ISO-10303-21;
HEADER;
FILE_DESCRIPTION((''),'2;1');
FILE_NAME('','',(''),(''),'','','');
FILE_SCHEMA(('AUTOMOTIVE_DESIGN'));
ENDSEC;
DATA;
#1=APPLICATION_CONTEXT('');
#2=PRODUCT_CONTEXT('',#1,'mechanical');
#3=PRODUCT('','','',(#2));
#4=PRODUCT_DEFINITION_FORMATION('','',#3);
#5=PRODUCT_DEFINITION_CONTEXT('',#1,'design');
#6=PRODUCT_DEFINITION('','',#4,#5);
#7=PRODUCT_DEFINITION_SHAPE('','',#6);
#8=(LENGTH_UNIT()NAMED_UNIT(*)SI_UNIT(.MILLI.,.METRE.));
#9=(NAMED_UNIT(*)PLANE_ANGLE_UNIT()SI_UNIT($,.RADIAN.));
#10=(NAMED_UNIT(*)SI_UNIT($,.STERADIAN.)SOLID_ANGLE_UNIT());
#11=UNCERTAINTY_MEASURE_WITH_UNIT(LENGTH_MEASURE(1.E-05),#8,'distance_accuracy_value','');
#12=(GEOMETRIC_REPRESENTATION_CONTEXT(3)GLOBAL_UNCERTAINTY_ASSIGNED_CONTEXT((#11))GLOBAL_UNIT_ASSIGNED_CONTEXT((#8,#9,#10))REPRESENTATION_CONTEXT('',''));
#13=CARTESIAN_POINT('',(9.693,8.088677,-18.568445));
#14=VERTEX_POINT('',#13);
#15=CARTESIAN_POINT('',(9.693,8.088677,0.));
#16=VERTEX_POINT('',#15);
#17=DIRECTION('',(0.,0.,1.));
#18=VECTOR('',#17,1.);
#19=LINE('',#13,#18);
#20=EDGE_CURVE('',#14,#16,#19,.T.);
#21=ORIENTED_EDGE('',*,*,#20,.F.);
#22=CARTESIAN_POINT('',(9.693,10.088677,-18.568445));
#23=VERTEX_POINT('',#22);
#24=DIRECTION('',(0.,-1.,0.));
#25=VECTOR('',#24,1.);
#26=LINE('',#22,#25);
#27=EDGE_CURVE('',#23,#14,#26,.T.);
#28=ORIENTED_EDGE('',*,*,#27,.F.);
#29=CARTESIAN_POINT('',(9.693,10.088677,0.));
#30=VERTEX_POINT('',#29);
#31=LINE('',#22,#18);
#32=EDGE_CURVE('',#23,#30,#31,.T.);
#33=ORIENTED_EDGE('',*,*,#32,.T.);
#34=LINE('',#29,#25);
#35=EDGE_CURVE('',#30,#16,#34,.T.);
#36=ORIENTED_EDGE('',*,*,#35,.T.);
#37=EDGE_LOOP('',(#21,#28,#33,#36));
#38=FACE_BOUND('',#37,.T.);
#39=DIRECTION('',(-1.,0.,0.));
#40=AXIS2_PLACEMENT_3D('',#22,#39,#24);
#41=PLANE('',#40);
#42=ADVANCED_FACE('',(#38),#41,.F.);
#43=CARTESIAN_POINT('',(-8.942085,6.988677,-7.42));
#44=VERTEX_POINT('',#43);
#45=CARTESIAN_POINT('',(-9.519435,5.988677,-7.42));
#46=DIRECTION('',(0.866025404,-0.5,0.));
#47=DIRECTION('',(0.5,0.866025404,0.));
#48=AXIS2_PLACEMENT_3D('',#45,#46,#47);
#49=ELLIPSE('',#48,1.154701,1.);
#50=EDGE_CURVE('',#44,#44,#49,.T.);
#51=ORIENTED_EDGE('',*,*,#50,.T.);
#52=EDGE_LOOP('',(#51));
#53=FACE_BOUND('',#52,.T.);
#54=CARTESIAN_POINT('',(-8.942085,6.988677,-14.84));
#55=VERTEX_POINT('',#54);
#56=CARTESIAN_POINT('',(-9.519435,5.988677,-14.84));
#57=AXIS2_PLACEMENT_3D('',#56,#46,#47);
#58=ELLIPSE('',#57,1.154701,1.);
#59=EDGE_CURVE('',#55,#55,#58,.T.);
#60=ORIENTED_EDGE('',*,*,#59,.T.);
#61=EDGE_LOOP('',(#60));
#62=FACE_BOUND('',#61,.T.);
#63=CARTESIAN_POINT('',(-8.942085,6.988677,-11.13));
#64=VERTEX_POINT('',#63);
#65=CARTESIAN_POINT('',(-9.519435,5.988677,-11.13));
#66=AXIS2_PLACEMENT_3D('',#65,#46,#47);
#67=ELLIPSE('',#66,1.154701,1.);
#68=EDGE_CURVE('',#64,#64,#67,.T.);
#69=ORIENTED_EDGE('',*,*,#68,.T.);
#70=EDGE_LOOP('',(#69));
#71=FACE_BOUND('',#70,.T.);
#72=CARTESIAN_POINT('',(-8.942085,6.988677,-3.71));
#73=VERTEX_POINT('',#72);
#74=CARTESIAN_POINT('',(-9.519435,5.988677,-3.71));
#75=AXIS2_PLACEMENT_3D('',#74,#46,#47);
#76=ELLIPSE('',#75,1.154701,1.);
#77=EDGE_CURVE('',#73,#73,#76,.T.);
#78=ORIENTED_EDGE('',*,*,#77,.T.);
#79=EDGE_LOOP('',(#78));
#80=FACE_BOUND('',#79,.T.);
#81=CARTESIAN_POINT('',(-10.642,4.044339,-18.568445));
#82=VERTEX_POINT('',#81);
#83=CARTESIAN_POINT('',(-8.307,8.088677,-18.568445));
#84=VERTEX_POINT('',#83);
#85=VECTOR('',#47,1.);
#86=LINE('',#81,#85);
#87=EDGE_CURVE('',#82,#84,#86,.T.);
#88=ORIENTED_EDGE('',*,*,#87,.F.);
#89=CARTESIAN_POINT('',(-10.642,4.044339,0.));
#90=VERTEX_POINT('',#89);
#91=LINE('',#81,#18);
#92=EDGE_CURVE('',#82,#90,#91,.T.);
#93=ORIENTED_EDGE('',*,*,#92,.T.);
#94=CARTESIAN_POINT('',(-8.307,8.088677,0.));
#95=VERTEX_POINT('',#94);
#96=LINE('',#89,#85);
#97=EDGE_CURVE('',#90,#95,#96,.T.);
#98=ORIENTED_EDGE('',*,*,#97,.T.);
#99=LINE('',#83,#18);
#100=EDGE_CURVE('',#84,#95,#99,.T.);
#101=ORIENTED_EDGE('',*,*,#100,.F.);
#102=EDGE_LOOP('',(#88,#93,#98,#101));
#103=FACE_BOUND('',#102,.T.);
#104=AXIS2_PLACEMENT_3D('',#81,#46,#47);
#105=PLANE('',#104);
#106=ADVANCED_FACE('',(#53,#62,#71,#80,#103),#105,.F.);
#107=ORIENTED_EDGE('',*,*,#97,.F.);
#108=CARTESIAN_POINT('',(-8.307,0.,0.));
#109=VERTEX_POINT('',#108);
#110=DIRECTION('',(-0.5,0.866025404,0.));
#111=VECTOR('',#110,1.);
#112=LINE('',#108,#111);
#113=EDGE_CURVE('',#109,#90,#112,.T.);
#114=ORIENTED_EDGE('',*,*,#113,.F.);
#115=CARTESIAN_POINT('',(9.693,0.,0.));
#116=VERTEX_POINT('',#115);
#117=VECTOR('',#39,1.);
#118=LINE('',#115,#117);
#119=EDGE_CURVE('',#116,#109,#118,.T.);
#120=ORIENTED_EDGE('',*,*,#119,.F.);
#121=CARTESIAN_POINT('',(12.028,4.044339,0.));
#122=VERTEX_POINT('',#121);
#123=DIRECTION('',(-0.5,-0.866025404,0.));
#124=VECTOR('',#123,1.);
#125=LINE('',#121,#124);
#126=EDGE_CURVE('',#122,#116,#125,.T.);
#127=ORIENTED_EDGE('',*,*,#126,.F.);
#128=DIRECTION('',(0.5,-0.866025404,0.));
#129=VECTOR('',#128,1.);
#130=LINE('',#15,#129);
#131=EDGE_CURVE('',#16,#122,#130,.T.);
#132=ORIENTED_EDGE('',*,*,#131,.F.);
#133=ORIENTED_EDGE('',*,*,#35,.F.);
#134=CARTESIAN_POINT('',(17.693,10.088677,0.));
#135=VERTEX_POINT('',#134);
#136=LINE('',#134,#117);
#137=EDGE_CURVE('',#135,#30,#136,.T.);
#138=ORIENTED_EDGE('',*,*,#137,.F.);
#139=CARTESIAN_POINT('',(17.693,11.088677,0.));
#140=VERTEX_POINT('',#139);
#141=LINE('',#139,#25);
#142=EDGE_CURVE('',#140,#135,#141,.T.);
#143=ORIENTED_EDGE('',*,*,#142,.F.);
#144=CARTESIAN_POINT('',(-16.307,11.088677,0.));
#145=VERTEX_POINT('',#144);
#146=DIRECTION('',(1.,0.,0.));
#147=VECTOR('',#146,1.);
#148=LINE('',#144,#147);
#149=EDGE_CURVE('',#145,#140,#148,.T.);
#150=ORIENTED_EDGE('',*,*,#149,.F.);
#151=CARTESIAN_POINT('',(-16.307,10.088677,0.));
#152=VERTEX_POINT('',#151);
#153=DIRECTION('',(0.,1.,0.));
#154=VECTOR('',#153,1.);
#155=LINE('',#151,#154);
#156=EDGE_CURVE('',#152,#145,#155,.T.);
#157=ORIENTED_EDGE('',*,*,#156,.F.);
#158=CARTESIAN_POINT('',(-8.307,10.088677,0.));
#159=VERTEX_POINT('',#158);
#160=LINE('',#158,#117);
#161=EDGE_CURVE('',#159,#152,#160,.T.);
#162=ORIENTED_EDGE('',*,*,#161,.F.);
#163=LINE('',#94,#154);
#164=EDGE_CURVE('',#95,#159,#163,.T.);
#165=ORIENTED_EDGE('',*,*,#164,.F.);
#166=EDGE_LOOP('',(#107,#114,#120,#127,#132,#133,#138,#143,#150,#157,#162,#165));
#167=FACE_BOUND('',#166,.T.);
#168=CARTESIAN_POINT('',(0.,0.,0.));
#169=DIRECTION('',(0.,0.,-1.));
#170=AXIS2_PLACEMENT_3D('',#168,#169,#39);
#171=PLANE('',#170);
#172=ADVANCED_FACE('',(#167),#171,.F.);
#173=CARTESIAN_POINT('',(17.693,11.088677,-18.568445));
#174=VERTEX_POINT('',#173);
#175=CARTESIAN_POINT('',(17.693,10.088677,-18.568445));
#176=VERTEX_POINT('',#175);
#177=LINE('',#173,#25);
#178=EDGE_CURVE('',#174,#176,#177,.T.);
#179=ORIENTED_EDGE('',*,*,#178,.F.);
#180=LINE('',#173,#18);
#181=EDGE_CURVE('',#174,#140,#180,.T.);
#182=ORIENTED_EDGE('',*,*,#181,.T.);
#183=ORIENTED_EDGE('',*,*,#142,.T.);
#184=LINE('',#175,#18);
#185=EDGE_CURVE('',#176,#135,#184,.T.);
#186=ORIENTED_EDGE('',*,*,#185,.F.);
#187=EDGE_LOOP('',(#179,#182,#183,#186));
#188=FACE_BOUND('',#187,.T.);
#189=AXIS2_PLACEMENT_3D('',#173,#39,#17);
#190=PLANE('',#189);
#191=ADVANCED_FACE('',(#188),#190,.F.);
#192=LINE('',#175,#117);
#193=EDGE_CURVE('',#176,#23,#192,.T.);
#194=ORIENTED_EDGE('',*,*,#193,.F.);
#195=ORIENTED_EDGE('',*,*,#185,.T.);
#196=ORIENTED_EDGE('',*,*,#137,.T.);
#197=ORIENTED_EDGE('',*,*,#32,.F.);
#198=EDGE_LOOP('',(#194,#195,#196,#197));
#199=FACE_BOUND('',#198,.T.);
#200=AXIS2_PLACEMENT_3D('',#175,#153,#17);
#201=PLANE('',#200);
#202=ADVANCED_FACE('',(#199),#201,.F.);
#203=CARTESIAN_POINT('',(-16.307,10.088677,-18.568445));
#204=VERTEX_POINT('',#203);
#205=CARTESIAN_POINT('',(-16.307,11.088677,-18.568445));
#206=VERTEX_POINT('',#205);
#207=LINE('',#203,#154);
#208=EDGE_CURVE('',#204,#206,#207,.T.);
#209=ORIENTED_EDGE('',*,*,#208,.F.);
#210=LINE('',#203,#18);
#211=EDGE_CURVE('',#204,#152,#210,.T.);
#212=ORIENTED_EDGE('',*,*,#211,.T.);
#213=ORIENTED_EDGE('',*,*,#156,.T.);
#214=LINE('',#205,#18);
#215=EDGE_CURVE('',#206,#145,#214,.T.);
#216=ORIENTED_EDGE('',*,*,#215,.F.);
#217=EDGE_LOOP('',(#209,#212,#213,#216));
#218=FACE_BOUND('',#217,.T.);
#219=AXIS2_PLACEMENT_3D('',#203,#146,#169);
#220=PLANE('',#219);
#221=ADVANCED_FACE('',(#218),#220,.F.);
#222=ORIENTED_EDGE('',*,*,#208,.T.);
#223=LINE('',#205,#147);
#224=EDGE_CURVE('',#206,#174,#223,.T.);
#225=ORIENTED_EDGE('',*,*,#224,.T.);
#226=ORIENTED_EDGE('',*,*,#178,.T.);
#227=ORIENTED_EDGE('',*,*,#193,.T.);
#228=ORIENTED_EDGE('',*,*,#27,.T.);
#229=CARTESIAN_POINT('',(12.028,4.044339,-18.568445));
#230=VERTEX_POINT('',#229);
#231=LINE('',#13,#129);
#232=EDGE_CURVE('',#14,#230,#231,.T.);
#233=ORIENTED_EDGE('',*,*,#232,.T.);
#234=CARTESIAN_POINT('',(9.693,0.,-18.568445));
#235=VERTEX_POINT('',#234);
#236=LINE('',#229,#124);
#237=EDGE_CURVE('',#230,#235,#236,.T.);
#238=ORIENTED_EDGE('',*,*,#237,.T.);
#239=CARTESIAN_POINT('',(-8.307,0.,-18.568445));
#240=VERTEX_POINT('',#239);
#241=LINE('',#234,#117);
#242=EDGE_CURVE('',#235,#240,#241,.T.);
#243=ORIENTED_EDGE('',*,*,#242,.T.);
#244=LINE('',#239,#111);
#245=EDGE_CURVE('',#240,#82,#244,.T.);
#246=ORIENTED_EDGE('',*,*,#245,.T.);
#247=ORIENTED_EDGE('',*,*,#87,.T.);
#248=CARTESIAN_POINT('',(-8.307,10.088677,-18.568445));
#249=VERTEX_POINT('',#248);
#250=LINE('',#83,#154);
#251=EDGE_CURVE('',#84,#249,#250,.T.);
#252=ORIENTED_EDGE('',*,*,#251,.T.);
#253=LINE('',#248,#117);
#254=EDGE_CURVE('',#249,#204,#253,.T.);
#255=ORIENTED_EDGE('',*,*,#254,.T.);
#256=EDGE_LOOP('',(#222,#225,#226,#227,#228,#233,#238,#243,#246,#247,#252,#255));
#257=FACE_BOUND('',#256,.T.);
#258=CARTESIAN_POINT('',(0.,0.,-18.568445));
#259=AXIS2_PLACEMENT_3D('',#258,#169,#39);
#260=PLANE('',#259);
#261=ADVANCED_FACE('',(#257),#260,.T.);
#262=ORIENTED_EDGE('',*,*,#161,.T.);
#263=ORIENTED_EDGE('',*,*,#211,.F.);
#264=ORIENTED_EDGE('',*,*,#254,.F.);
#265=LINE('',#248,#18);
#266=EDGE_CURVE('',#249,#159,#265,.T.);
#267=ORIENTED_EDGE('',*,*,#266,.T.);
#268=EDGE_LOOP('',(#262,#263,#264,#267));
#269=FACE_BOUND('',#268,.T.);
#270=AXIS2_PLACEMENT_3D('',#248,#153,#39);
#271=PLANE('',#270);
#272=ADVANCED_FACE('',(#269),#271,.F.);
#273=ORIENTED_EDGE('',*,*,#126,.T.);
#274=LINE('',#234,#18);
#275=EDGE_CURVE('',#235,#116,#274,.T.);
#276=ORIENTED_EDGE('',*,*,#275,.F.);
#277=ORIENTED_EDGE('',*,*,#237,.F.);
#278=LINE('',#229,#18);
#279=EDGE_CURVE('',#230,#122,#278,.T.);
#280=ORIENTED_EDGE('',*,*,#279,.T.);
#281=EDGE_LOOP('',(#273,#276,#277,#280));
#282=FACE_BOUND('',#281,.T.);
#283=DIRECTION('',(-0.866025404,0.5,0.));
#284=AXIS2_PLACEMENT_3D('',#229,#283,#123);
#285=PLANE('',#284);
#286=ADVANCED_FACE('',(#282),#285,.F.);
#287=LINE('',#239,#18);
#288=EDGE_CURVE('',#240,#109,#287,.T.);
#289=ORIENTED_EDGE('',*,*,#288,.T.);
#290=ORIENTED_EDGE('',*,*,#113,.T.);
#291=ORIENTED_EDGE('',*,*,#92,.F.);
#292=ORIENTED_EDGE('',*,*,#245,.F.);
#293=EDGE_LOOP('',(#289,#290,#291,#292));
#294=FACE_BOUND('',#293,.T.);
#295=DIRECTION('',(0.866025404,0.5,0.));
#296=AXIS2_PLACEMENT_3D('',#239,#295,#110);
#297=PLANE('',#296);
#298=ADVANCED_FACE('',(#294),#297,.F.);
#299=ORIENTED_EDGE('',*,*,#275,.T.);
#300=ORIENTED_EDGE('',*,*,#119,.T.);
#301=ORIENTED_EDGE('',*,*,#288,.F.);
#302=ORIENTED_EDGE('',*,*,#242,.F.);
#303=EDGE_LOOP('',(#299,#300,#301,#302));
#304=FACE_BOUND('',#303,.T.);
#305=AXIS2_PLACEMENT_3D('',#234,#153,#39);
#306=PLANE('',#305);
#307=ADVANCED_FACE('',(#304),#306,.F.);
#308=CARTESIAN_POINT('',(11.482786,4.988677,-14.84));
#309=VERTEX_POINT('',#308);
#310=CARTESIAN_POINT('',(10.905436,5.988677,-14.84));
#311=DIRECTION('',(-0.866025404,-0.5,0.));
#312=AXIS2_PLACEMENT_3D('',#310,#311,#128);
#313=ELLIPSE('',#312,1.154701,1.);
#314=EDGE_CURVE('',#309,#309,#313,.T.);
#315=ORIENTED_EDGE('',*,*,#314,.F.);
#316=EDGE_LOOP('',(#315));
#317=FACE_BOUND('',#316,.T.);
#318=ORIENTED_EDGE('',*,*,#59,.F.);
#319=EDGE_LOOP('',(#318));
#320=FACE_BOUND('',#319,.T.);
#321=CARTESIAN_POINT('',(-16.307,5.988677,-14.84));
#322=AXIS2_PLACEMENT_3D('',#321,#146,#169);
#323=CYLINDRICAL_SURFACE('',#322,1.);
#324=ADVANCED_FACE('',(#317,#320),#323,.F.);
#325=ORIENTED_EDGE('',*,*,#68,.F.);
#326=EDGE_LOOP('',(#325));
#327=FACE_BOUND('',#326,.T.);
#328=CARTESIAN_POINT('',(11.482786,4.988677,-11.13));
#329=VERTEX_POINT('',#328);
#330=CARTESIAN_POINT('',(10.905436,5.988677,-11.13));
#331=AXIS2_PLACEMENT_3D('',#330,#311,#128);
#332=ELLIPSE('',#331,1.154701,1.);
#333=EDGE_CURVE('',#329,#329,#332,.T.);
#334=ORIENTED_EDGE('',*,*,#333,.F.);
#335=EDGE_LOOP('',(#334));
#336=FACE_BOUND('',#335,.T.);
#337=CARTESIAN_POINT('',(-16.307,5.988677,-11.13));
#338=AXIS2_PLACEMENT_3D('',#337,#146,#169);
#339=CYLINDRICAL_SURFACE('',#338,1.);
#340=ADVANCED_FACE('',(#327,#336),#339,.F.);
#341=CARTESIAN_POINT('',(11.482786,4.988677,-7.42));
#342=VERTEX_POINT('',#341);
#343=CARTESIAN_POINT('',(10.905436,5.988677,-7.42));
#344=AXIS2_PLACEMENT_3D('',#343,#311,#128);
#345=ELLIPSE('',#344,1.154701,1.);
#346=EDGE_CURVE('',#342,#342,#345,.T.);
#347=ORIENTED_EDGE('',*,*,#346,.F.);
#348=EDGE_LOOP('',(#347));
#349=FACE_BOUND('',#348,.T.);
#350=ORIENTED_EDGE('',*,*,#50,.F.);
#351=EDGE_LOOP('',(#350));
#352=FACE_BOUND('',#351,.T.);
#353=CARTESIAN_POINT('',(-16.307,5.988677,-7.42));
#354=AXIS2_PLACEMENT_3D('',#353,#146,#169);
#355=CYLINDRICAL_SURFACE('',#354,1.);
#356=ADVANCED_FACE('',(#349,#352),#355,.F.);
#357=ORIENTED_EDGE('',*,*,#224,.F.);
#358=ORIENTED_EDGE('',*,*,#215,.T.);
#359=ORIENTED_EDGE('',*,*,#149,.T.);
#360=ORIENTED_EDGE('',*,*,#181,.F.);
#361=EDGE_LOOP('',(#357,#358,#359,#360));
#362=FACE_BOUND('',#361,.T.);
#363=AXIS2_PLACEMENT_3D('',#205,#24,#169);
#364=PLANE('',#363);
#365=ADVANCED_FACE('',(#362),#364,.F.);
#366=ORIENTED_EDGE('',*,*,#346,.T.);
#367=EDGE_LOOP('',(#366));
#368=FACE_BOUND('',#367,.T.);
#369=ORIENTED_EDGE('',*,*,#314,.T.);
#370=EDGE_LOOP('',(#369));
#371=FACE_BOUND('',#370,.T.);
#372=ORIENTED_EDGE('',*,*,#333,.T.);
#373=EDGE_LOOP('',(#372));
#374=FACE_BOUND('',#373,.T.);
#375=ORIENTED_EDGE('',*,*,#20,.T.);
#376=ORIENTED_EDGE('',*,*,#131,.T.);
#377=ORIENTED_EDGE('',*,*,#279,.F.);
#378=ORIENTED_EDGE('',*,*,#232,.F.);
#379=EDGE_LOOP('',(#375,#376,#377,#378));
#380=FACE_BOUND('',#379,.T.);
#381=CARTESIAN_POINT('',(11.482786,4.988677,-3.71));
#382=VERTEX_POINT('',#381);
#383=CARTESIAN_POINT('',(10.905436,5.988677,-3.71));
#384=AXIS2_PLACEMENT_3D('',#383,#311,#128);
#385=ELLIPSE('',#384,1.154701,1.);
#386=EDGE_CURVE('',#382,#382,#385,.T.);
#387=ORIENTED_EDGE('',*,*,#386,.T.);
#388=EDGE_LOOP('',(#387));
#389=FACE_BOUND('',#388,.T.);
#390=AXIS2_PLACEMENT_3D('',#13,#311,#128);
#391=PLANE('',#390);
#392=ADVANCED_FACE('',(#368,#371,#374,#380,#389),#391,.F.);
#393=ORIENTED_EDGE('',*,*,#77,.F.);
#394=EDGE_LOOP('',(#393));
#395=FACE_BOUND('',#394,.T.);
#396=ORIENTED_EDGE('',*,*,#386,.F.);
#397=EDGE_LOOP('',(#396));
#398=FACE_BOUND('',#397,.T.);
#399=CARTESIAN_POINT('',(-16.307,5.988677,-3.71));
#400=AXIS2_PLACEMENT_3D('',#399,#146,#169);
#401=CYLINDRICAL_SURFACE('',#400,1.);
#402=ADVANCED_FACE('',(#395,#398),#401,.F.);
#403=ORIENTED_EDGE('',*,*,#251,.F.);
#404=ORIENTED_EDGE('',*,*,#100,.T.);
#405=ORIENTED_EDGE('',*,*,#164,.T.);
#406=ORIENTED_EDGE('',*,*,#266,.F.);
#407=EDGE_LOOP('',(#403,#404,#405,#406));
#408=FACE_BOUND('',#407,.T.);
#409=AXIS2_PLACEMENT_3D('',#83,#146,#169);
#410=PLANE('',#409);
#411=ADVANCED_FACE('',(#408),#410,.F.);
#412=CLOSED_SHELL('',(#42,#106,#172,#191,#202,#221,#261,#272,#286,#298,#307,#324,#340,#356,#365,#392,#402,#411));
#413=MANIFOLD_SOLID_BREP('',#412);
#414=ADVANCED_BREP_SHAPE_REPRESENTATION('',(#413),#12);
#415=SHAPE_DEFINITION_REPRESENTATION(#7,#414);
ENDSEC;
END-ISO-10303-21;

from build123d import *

# Parameters (mm, degrees)
BOSS_EXTRUDE1_DEPTH     = 18.568445
CUT_EXTRUDE1_DEPTH      = 28.942587158
CUT_EXTRUDE1_DEPTH_BACK = 28.942587158
SKETCH2_R               = 1


with BuildPart() as part:
    # Sketch1 → Boss-Extrude1 (new body)
    with BuildSketch(Plane.XY):
        Polygon((9.693000417, 0), (-8.306999583, 0), (-10.641999583, 4.044338636), (-8.306999583, 8.088677271), (-8.306999583, 10.088677271), (-16.306999583, 10.088677271), (-16.306999583, 11.088677271), (17.693000417, 11.088677271), (17.693000417, 10.088677271), (9.693000417, 10.088677271), (9.693000417, 8.088677271), (12.028000417, 4.044338636), align=None)
    extrude(amount=-BOSS_EXTRUDE1_DEPTH)

    # Sketch2 → Cut-Extrude1 (cut, two sides: drawn at the far end of the back side and taken through both)
    with BuildSketch(Plane(origin=(0, 0, 0), x_dir=(0, 0, -1), z_dir=(1, 0, 0)).offset(-CUT_EXTRUDE1_DEPTH_BACK)):
        with Locations(Location((3.71, 5.988677271, 0), (0, 0, 90))):
            Circle(SKETCH2_R)
        with Locations(Location((7.42, 5.988677271, 0), (0, 0, 90))):
            Circle(SKETCH2_R)
        with Locations(Location((11.13, 5.988677271, 0), (0, 0, 90))):
            Circle(SKETCH2_R)
        with Locations(Location((14.84, 5.988677271, 0), (0, 0, 90))):
            Circle(SKETCH2_R)
    extrude(amount=CUT_EXTRUDE1_DEPTH + CUT_EXTRUDE1_DEPTH_BACK, mode=Mode.SUBTRACT)


solid = part.part
